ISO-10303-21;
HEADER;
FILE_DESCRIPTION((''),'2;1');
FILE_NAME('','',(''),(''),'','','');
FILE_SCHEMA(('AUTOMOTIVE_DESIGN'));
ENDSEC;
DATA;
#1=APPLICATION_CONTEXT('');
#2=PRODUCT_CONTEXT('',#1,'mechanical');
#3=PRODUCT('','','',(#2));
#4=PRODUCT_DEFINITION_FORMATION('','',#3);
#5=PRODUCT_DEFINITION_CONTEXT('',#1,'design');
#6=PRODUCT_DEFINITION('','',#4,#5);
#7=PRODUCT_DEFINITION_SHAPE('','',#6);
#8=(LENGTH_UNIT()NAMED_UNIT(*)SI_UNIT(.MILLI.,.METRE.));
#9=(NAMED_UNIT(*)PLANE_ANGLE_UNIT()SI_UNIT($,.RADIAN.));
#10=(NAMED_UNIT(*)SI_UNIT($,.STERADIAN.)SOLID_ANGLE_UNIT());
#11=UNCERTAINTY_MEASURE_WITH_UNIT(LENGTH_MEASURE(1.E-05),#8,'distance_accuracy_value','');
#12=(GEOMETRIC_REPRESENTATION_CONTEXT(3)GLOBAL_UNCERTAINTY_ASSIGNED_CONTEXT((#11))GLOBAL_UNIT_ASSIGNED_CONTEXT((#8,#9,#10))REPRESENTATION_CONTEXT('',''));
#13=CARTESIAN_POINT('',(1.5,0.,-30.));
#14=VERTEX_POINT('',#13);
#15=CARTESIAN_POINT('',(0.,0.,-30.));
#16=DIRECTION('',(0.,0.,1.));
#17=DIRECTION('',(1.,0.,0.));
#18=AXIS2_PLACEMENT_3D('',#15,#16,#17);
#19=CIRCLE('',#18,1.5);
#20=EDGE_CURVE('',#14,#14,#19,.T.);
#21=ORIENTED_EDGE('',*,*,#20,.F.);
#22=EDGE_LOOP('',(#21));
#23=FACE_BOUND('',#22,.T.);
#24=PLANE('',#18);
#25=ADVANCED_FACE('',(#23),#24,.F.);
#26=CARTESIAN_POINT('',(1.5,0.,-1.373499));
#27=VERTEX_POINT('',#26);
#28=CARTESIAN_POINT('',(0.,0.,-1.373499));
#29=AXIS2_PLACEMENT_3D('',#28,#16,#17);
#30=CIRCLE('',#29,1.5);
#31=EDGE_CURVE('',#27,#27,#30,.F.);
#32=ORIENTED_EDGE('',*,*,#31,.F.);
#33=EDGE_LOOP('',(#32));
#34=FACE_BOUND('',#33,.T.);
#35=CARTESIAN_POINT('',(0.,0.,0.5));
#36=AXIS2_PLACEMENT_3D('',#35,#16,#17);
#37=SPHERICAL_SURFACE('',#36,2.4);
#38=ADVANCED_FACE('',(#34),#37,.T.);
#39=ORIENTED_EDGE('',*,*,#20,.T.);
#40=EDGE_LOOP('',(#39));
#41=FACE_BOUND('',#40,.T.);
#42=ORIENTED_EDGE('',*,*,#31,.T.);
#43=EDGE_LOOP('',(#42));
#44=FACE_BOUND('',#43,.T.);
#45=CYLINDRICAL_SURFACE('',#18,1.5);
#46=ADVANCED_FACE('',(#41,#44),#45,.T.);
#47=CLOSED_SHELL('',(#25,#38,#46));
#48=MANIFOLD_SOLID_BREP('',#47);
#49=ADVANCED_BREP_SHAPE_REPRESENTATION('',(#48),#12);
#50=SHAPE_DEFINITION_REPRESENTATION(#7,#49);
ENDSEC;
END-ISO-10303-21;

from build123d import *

# Parameters (mm, degrees)
SKETCH4_R           = 1.5
BOSS_EXTRUDE4_DEPTH = 30


with BuildPart() as part:
    # Sketch4 → Boss-Extrude4 (new body)
    with BuildSketch(Plane.XY):
        Circle(SKETCH4_R)
    extrude(amount=-BOSS_EXTRUDE4_DEPTH)

    # Sketch6 → Revolve1 (revolve)
    with BuildSketch(Plane.XY.offset(0.5)):
        with BuildLine():
            Line((0, 2.4), (0, 0))
            Line((0, 0), (0, -2.4))
            ThreePointArc((0, -2.4), (2.4, 0), (0, 2.4))
        make_face()
    revolve(axis=Axis((0, -2.4, 0.5), (0, 1, 0)))


solid = part.part
